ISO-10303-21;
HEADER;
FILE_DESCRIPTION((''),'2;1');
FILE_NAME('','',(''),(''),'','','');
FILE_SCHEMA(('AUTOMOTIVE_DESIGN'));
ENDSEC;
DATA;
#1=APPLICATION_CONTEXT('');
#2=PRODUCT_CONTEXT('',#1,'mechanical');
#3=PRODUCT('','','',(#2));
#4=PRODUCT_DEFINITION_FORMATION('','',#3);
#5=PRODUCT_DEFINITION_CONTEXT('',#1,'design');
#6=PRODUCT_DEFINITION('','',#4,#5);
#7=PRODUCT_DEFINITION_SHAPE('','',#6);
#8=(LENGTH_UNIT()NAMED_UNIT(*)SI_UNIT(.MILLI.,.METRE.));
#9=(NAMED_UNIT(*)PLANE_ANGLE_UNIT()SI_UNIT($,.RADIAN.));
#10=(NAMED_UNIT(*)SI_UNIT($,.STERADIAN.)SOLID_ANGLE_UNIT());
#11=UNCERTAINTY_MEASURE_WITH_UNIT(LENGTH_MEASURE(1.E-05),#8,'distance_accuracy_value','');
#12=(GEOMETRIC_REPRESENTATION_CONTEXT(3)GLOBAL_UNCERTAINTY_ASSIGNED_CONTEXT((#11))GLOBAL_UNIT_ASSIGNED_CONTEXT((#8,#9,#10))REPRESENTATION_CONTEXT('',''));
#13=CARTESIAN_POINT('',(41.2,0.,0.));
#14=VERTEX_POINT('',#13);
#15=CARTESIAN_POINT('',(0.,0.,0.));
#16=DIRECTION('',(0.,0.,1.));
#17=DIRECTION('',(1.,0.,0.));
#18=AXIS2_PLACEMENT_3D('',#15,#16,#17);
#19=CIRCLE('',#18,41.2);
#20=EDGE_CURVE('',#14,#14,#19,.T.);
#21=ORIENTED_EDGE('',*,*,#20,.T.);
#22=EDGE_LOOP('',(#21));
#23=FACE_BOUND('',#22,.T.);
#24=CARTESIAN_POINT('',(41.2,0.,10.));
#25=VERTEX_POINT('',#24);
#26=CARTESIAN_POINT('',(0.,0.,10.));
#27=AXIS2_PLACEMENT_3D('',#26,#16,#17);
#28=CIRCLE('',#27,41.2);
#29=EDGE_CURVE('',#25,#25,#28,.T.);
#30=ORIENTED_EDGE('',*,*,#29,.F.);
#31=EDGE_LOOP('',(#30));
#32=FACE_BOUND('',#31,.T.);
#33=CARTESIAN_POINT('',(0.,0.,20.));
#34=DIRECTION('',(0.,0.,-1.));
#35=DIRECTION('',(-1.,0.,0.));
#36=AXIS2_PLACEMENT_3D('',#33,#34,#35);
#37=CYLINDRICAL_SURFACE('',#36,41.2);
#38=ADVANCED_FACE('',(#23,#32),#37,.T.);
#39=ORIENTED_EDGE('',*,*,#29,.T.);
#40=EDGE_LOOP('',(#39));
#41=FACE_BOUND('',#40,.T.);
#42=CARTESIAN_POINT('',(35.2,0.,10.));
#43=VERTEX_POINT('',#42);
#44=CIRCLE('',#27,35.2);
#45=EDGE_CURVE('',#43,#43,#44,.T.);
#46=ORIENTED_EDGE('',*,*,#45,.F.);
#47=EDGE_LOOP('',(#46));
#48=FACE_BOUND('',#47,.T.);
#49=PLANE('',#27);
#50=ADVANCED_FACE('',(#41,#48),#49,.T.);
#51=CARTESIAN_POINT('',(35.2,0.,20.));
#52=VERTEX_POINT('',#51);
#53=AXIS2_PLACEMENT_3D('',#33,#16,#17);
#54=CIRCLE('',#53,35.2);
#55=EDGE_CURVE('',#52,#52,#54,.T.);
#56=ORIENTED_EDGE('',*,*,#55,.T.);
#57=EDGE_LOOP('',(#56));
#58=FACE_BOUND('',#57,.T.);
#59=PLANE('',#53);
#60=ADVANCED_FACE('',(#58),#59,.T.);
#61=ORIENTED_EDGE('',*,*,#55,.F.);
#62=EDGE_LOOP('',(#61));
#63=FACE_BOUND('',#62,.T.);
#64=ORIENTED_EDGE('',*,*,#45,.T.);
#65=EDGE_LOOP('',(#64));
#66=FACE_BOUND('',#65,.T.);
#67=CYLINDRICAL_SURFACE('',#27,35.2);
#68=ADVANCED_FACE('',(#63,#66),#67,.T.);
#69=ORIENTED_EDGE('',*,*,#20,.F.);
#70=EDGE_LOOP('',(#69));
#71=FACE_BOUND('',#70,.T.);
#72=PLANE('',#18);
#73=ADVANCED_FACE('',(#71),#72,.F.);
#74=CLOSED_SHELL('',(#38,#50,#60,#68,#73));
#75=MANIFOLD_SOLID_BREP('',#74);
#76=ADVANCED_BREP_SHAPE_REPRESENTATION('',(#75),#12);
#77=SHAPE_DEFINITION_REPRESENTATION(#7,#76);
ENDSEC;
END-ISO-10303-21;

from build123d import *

# Parameters (mm, degrees)
SKETCH_1_R          = 41.2
EXTRUDE_1_DEPTH     = 20
SKETCH_2_OUTSIDE_W  = 108.048
SKETCH_2_OUTSIDE_H  = 108.048
SKETCH_2_OUTSIDE_R  = 35.2
CUT_EXTRUDE_1_DEPTH = 10


with BuildPart() as part:
    # 草图1 → 凸台-拉伸1 (new body)
    with BuildSketch(Plane.XY):
        Circle(SKETCH_1_R)
    extrude(amount=EXTRUDE_1_DEPTH)

    # 草图2 outside → 切除-拉伸1 (cut)
    with BuildSketch(Plane.XY.offset(20)):
        Rectangle(SKETCH_2_OUTSIDE_W, SKETCH_2_OUTSIDE_H)
        Circle(SKETCH_2_OUTSIDE_R, mode=Mode.SUBTRACT)
    extrude(amount=-CUT_EXTRUDE_1_DEPTH, mode=Mode.SUBTRACT)


solid = part.part
